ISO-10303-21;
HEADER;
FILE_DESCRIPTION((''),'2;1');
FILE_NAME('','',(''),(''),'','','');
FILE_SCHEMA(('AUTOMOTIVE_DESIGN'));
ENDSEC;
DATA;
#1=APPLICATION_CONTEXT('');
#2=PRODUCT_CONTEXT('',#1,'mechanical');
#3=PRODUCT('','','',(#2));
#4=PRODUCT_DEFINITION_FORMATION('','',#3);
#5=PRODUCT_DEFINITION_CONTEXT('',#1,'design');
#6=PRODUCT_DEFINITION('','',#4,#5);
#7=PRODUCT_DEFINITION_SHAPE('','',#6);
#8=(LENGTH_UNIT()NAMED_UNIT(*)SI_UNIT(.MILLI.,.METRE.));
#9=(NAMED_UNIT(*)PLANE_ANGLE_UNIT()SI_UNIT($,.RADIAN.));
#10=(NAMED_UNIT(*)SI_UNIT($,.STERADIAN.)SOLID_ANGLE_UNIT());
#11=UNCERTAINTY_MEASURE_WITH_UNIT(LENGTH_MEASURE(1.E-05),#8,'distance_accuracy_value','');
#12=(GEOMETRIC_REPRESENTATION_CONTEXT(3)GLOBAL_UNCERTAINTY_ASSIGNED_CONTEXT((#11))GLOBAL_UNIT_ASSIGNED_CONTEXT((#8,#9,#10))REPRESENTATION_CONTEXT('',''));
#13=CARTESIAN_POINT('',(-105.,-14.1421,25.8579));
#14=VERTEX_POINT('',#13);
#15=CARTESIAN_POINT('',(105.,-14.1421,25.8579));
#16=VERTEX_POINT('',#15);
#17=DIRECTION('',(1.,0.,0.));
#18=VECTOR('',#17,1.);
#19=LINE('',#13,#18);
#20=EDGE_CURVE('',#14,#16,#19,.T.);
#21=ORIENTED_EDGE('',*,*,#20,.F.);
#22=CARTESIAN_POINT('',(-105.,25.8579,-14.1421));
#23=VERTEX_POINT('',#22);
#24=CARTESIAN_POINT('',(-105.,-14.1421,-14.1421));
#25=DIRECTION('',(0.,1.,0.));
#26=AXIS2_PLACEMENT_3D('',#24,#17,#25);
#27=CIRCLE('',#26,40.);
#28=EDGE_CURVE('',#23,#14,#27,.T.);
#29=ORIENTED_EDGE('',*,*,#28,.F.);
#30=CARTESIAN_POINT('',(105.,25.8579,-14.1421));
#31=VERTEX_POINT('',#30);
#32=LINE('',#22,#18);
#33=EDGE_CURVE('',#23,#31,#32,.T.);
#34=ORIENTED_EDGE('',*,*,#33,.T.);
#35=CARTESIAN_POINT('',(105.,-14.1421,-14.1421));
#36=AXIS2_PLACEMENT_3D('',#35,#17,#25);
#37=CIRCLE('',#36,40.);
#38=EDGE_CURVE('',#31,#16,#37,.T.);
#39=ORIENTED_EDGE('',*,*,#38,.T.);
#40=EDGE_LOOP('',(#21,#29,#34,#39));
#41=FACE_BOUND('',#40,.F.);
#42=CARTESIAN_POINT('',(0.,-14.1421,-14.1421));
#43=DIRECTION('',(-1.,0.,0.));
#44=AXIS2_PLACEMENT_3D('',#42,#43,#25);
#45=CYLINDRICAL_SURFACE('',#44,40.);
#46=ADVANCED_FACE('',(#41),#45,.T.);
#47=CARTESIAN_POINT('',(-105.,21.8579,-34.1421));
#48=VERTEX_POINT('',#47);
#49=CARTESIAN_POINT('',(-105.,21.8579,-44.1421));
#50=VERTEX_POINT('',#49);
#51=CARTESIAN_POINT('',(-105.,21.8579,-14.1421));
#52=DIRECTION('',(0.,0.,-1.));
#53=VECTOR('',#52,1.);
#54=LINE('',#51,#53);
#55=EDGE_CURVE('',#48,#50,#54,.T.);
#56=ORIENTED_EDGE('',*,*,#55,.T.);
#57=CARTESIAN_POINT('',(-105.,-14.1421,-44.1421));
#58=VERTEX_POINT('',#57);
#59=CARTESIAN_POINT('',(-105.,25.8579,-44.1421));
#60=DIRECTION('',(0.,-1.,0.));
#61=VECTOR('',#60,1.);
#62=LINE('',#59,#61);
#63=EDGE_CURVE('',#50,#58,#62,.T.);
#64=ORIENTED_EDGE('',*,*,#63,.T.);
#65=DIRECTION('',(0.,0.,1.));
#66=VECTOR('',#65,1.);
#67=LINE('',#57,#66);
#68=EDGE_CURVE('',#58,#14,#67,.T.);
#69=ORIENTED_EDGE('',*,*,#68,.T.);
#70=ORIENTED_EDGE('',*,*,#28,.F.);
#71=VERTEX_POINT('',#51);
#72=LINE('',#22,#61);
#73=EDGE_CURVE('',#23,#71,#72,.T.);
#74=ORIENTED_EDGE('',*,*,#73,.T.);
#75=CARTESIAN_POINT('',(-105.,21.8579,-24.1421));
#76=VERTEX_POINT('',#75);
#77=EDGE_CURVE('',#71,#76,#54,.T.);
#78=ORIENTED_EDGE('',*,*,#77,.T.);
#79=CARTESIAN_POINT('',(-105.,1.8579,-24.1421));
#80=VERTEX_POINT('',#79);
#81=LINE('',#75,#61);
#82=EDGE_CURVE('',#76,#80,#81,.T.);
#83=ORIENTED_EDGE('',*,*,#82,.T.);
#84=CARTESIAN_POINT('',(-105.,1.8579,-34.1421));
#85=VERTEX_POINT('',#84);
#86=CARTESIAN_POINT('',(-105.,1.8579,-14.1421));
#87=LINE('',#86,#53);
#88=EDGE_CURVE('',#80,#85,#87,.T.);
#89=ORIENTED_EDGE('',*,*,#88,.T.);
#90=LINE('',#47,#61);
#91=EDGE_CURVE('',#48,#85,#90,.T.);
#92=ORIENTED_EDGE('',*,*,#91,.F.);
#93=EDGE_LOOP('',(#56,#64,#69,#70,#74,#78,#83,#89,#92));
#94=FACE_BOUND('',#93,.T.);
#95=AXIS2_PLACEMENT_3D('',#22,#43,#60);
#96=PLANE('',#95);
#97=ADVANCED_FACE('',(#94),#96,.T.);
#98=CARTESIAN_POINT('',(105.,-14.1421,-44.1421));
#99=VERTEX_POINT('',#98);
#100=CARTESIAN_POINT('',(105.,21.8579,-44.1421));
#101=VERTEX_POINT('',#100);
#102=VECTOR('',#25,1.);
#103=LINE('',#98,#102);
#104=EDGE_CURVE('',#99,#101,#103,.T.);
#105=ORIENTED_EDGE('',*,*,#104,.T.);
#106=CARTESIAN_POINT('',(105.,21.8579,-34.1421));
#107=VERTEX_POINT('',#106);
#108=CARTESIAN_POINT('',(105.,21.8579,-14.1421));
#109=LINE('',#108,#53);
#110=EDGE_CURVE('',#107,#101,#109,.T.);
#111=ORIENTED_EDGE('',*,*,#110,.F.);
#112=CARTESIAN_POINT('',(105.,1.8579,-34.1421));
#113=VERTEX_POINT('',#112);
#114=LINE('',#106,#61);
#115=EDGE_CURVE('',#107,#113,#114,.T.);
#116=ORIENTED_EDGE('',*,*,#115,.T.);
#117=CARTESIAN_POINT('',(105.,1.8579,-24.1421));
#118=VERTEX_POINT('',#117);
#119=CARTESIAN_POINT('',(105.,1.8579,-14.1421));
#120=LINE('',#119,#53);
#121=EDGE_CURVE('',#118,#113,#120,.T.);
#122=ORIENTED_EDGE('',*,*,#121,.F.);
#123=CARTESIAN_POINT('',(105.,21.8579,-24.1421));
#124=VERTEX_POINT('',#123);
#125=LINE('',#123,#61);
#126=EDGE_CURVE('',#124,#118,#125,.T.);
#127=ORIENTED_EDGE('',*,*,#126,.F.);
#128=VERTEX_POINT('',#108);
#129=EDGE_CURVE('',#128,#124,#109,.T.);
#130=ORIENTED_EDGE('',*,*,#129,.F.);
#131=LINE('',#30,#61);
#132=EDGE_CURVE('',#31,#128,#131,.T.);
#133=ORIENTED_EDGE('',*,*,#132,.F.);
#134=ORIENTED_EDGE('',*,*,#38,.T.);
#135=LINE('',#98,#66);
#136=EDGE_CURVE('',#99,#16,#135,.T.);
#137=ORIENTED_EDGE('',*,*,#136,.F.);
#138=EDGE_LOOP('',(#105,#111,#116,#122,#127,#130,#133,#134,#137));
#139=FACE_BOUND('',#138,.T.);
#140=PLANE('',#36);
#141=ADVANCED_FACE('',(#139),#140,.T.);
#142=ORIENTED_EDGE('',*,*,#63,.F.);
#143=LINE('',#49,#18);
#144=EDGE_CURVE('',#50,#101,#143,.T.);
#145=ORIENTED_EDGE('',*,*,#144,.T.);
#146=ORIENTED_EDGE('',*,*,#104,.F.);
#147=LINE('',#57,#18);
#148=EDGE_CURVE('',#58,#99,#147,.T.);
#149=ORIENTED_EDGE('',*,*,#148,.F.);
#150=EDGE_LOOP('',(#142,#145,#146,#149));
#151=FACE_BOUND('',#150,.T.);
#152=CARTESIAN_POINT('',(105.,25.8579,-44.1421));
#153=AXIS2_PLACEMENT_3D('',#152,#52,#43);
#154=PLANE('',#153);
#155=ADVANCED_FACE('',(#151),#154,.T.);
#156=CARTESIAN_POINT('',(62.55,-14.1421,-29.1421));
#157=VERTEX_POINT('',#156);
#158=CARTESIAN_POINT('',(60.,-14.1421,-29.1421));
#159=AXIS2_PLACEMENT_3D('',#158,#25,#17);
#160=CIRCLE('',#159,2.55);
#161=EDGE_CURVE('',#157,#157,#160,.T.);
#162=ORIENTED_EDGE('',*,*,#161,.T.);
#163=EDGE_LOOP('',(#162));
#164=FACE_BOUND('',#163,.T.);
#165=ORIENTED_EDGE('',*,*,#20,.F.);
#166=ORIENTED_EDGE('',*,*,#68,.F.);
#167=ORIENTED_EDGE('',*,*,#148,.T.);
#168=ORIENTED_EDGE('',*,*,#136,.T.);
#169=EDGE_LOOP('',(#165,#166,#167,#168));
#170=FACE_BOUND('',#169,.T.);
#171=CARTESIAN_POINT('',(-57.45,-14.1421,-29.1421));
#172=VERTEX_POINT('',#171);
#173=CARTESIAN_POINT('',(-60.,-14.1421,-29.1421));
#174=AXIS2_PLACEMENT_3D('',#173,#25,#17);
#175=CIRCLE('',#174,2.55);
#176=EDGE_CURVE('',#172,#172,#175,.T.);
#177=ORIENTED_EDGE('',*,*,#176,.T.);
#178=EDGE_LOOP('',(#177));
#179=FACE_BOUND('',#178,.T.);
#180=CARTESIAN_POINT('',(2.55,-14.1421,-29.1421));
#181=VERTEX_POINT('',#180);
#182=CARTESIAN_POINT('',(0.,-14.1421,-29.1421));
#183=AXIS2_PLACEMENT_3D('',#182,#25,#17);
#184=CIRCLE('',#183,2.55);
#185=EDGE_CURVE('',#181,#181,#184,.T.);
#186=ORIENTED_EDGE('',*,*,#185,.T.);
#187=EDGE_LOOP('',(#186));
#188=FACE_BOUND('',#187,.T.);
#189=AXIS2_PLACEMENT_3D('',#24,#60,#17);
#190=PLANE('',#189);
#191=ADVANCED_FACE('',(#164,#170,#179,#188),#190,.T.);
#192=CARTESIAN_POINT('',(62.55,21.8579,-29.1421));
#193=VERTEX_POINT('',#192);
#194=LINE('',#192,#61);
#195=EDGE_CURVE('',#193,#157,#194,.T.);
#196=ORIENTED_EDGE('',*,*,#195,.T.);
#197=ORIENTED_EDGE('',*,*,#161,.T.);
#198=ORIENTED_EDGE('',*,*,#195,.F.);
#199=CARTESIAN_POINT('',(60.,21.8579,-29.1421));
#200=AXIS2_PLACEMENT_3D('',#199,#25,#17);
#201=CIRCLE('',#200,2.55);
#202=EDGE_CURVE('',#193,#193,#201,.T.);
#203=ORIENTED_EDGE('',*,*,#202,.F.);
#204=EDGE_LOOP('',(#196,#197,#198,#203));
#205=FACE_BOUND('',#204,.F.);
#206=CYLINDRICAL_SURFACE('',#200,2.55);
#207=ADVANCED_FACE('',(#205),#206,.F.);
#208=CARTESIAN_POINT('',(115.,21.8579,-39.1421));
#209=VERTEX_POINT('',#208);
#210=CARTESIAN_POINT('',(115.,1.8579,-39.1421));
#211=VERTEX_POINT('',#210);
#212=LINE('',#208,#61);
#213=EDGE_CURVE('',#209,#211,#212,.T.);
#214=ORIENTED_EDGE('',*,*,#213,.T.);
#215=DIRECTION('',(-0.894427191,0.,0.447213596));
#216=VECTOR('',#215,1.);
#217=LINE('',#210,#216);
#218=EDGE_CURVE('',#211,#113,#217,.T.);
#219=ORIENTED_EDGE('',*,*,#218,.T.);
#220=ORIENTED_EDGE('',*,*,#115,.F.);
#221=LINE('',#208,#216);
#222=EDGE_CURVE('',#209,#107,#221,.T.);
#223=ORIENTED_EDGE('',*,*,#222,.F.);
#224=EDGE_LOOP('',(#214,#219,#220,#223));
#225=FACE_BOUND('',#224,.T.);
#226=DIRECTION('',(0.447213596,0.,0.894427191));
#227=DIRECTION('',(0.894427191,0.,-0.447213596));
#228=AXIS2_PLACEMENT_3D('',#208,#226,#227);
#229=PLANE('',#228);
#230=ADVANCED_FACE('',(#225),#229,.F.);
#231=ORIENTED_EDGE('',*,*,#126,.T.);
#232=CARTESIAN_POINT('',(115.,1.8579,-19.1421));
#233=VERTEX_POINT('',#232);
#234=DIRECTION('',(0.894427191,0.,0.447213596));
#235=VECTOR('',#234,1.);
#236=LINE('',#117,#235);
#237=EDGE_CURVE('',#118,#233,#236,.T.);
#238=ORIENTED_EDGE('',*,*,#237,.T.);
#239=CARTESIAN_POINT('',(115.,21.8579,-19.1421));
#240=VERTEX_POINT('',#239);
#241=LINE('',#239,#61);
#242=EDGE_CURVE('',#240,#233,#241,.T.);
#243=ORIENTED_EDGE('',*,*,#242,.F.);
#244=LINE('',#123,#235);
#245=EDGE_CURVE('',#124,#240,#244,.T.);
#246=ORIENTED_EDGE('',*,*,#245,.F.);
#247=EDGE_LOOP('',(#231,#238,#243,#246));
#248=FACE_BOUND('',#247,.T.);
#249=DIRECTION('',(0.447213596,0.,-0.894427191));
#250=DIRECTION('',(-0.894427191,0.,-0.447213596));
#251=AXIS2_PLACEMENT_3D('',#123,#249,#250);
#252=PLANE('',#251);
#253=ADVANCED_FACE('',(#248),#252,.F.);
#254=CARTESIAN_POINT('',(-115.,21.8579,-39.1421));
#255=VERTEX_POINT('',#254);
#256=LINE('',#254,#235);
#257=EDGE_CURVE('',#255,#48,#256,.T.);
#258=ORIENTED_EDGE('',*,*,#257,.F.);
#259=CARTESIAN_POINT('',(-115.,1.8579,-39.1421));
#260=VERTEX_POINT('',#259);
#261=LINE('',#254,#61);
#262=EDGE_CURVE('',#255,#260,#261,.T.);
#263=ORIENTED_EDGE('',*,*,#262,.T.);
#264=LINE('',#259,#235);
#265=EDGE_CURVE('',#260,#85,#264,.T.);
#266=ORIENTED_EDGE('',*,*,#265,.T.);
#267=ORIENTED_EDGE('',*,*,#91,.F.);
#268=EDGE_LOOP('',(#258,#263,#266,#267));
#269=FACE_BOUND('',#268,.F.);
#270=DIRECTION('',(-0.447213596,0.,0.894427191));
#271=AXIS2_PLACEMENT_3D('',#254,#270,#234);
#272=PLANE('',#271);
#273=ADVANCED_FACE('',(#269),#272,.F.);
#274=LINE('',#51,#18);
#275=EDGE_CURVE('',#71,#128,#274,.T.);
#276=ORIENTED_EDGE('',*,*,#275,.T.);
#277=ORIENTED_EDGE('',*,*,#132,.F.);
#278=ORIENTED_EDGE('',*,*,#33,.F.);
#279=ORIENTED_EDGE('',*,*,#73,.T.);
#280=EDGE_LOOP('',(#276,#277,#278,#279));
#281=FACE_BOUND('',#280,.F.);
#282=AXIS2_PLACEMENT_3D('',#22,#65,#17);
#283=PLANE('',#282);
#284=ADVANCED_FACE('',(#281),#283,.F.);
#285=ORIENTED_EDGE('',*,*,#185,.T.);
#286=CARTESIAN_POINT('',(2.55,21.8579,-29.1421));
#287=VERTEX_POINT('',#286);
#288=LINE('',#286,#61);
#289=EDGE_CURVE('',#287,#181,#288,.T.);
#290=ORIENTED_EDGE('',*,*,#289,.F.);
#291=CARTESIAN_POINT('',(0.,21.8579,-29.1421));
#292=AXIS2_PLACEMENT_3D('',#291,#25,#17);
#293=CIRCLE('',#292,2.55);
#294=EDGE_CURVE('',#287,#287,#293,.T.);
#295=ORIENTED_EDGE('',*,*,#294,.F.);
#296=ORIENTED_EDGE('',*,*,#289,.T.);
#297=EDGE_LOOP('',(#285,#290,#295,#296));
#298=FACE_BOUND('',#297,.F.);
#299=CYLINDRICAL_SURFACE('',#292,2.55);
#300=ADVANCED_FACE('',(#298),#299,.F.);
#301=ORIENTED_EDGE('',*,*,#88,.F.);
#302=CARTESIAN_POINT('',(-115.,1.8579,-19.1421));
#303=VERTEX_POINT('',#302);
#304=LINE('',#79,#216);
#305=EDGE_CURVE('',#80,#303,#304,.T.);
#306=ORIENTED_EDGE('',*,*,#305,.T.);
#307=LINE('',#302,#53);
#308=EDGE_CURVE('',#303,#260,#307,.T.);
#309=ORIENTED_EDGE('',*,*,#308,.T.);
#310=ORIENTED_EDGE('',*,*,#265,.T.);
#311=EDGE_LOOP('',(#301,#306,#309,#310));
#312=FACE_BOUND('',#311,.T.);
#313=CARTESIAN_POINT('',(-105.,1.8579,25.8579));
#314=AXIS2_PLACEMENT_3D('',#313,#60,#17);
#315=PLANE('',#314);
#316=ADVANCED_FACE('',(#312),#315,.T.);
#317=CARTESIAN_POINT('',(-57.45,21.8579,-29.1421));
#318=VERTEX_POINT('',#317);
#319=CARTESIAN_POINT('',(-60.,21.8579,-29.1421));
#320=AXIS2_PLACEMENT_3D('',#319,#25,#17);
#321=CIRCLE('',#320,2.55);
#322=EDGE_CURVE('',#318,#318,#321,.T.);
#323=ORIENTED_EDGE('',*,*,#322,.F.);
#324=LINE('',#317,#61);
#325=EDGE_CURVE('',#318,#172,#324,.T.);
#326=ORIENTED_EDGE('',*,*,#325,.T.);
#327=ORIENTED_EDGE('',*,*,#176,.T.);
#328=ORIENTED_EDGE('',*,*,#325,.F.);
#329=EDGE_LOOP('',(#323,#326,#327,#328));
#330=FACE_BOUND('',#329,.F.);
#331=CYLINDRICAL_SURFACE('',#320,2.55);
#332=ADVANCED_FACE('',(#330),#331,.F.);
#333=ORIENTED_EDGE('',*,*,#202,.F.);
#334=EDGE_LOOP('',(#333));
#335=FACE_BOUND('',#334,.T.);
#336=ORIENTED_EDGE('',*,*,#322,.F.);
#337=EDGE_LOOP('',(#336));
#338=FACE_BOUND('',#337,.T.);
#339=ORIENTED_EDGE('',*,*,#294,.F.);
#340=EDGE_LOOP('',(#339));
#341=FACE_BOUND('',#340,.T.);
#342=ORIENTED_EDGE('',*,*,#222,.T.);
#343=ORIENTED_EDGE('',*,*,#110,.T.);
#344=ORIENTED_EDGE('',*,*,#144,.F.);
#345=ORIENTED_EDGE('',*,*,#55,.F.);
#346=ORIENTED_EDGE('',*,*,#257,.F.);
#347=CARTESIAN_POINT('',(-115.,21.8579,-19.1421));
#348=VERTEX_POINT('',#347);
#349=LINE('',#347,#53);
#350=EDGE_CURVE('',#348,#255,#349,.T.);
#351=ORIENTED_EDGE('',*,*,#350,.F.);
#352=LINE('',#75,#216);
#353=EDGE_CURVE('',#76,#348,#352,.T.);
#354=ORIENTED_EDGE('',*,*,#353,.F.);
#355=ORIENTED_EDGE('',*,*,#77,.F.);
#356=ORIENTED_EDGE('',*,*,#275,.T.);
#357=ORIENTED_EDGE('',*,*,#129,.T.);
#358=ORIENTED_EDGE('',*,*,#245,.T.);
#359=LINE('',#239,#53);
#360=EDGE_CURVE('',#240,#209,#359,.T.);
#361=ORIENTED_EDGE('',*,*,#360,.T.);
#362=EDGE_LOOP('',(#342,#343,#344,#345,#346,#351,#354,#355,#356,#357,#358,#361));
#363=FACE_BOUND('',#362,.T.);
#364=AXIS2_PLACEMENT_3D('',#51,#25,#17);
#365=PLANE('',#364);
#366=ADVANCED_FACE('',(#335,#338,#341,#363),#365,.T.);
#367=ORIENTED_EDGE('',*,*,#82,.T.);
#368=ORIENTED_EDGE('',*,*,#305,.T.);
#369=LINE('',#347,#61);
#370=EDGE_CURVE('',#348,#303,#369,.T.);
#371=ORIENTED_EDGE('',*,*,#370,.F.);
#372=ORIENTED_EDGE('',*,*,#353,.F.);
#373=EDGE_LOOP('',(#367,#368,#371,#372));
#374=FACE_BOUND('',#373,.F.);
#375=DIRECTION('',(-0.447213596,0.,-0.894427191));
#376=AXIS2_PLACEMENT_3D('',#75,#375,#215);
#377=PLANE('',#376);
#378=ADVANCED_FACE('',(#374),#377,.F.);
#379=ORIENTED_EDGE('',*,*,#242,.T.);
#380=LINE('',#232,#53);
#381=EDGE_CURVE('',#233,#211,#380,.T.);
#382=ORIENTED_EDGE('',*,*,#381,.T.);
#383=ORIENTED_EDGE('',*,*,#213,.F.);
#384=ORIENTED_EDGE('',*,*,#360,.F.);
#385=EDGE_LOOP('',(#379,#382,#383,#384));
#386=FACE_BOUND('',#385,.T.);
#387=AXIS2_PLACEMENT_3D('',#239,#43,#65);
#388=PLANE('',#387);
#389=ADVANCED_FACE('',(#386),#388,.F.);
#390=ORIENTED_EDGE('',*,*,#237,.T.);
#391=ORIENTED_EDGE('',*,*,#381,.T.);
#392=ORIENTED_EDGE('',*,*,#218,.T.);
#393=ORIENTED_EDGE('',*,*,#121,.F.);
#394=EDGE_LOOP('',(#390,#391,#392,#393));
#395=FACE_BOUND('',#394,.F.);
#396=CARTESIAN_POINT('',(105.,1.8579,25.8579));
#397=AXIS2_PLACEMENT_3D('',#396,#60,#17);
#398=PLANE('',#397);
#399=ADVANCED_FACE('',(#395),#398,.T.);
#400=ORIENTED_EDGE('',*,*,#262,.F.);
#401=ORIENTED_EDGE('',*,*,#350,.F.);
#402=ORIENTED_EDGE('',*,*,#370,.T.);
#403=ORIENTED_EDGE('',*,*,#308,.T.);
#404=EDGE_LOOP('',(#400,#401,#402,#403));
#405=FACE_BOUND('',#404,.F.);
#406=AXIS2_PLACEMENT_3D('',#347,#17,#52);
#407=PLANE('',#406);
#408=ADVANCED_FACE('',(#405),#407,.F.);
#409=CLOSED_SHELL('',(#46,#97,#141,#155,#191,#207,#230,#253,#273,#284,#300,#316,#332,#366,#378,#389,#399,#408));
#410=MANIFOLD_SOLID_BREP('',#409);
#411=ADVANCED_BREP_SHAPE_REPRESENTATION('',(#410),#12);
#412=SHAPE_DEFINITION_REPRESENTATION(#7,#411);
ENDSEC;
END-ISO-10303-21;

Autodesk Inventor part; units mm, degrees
sketch "Эскиз1" plane through (0, 0, 0) normal (1, 0, 0) x (0, 1, 0)
  line L0 (25.8579, -14.1421) -> (-14.1421, -14.1421)
  line L1 (-14.1421, -14.1421) -> (-14.1421, 25.8579)
  arc A0 (25.8579, -14.1421) -> (-14.1421, 25.8579) centre (-14.1421, -14.1421) ccw
  line L2 (-14.1421, -14.1421) -> (14.1421, 14.1421) construction
  point P0 (0, 0)
  point P1 (0, 0)
  dimension "d0" = 40
extrude "Выдавливание1" add sketch "Эскиз1" along normal mid plane 210
sketch "Эскиз2" plane through (105, 25.8579, -14.1421) normal (0, 0, -1) x (-1, 0, 0)
  line L0 (210, 0) -> (0, 0) projected
  line L1 (0, -40) -> (0, 0) projected
  line L2 (210, -40) -> (0, -40) projected
  line L3 (210, 0) -> (210, -40) projected
  point P0 (105, -25.8579)
extrude "Выдавливание2" add sketch "Эскиз2" along normal blind 30
sketch "Эскиз3" plane through (-105, 25.8579, -14.1421) normal (0, 1, 0) x (1, 0, 0)
  line L0 (0, 0) -> (210, 0) projected
  line L1 (210, 0) -> (210, 30) projected
  line L2 (0, 30) -> (210, 30) projected
  line L3 (0, 0) -> (0, 30) projected
  point P0 (105, -14.1421)
extrude "Выдавливание3" cut sketch "Эскиз3" against normal blind 4
sketch "Эскиз5" plane through (-105, 21.8579, -14.1421) normal (0, 1, 0) x (1, 0, 0)
  line L0 (210, -40) -> (210, 30) projected
  line L1 (210, 15) -> (0, 15) construction
  line L2 (0, -40) -> (0, 30) projected
  line L3 (0, 30) -> (210, 30) projected
  circle A0 centre (45, 15) radius 2.55
  line L4 (270, 15) -> (60, 15) construction
  circle A1 centre (105, 15) radius 2.55
  line L5 (330, 15) -> (120, 15) construction
  circle A2 centre (165, 15) radius 2.55
  dimension "d7" = 15
  dimension "d8" = 5.1
  dimension "d9" = 45
  dimension "d12" = 60
extrude "Выдавливание4" cut sketch "Эскиз5" against normal up to next
sketch "Эскиз6" plane through (-105, 21.8579, 25.8579) normal (0, -1, 0) x (1, 0, 0)
  line L0 (-10, -65) -> (0, -60) projected
  line L1 (-10, -45) -> (-10, -65) projected
  line L2 (0, -50) -> (-10, -45) projected
  line L3 (0, -40) -> (0, -70) projected
  point P0 (105, -25.8579)
extrude "Выдавливание5" add sketch "Эскиз6" along normal blind 20
mirror "Зеркальное отражение1" about plane through (0, 0, 0) normal (1, 0, 0) of "Выдавливание5"
properties part number "Край_новой_крышки"
